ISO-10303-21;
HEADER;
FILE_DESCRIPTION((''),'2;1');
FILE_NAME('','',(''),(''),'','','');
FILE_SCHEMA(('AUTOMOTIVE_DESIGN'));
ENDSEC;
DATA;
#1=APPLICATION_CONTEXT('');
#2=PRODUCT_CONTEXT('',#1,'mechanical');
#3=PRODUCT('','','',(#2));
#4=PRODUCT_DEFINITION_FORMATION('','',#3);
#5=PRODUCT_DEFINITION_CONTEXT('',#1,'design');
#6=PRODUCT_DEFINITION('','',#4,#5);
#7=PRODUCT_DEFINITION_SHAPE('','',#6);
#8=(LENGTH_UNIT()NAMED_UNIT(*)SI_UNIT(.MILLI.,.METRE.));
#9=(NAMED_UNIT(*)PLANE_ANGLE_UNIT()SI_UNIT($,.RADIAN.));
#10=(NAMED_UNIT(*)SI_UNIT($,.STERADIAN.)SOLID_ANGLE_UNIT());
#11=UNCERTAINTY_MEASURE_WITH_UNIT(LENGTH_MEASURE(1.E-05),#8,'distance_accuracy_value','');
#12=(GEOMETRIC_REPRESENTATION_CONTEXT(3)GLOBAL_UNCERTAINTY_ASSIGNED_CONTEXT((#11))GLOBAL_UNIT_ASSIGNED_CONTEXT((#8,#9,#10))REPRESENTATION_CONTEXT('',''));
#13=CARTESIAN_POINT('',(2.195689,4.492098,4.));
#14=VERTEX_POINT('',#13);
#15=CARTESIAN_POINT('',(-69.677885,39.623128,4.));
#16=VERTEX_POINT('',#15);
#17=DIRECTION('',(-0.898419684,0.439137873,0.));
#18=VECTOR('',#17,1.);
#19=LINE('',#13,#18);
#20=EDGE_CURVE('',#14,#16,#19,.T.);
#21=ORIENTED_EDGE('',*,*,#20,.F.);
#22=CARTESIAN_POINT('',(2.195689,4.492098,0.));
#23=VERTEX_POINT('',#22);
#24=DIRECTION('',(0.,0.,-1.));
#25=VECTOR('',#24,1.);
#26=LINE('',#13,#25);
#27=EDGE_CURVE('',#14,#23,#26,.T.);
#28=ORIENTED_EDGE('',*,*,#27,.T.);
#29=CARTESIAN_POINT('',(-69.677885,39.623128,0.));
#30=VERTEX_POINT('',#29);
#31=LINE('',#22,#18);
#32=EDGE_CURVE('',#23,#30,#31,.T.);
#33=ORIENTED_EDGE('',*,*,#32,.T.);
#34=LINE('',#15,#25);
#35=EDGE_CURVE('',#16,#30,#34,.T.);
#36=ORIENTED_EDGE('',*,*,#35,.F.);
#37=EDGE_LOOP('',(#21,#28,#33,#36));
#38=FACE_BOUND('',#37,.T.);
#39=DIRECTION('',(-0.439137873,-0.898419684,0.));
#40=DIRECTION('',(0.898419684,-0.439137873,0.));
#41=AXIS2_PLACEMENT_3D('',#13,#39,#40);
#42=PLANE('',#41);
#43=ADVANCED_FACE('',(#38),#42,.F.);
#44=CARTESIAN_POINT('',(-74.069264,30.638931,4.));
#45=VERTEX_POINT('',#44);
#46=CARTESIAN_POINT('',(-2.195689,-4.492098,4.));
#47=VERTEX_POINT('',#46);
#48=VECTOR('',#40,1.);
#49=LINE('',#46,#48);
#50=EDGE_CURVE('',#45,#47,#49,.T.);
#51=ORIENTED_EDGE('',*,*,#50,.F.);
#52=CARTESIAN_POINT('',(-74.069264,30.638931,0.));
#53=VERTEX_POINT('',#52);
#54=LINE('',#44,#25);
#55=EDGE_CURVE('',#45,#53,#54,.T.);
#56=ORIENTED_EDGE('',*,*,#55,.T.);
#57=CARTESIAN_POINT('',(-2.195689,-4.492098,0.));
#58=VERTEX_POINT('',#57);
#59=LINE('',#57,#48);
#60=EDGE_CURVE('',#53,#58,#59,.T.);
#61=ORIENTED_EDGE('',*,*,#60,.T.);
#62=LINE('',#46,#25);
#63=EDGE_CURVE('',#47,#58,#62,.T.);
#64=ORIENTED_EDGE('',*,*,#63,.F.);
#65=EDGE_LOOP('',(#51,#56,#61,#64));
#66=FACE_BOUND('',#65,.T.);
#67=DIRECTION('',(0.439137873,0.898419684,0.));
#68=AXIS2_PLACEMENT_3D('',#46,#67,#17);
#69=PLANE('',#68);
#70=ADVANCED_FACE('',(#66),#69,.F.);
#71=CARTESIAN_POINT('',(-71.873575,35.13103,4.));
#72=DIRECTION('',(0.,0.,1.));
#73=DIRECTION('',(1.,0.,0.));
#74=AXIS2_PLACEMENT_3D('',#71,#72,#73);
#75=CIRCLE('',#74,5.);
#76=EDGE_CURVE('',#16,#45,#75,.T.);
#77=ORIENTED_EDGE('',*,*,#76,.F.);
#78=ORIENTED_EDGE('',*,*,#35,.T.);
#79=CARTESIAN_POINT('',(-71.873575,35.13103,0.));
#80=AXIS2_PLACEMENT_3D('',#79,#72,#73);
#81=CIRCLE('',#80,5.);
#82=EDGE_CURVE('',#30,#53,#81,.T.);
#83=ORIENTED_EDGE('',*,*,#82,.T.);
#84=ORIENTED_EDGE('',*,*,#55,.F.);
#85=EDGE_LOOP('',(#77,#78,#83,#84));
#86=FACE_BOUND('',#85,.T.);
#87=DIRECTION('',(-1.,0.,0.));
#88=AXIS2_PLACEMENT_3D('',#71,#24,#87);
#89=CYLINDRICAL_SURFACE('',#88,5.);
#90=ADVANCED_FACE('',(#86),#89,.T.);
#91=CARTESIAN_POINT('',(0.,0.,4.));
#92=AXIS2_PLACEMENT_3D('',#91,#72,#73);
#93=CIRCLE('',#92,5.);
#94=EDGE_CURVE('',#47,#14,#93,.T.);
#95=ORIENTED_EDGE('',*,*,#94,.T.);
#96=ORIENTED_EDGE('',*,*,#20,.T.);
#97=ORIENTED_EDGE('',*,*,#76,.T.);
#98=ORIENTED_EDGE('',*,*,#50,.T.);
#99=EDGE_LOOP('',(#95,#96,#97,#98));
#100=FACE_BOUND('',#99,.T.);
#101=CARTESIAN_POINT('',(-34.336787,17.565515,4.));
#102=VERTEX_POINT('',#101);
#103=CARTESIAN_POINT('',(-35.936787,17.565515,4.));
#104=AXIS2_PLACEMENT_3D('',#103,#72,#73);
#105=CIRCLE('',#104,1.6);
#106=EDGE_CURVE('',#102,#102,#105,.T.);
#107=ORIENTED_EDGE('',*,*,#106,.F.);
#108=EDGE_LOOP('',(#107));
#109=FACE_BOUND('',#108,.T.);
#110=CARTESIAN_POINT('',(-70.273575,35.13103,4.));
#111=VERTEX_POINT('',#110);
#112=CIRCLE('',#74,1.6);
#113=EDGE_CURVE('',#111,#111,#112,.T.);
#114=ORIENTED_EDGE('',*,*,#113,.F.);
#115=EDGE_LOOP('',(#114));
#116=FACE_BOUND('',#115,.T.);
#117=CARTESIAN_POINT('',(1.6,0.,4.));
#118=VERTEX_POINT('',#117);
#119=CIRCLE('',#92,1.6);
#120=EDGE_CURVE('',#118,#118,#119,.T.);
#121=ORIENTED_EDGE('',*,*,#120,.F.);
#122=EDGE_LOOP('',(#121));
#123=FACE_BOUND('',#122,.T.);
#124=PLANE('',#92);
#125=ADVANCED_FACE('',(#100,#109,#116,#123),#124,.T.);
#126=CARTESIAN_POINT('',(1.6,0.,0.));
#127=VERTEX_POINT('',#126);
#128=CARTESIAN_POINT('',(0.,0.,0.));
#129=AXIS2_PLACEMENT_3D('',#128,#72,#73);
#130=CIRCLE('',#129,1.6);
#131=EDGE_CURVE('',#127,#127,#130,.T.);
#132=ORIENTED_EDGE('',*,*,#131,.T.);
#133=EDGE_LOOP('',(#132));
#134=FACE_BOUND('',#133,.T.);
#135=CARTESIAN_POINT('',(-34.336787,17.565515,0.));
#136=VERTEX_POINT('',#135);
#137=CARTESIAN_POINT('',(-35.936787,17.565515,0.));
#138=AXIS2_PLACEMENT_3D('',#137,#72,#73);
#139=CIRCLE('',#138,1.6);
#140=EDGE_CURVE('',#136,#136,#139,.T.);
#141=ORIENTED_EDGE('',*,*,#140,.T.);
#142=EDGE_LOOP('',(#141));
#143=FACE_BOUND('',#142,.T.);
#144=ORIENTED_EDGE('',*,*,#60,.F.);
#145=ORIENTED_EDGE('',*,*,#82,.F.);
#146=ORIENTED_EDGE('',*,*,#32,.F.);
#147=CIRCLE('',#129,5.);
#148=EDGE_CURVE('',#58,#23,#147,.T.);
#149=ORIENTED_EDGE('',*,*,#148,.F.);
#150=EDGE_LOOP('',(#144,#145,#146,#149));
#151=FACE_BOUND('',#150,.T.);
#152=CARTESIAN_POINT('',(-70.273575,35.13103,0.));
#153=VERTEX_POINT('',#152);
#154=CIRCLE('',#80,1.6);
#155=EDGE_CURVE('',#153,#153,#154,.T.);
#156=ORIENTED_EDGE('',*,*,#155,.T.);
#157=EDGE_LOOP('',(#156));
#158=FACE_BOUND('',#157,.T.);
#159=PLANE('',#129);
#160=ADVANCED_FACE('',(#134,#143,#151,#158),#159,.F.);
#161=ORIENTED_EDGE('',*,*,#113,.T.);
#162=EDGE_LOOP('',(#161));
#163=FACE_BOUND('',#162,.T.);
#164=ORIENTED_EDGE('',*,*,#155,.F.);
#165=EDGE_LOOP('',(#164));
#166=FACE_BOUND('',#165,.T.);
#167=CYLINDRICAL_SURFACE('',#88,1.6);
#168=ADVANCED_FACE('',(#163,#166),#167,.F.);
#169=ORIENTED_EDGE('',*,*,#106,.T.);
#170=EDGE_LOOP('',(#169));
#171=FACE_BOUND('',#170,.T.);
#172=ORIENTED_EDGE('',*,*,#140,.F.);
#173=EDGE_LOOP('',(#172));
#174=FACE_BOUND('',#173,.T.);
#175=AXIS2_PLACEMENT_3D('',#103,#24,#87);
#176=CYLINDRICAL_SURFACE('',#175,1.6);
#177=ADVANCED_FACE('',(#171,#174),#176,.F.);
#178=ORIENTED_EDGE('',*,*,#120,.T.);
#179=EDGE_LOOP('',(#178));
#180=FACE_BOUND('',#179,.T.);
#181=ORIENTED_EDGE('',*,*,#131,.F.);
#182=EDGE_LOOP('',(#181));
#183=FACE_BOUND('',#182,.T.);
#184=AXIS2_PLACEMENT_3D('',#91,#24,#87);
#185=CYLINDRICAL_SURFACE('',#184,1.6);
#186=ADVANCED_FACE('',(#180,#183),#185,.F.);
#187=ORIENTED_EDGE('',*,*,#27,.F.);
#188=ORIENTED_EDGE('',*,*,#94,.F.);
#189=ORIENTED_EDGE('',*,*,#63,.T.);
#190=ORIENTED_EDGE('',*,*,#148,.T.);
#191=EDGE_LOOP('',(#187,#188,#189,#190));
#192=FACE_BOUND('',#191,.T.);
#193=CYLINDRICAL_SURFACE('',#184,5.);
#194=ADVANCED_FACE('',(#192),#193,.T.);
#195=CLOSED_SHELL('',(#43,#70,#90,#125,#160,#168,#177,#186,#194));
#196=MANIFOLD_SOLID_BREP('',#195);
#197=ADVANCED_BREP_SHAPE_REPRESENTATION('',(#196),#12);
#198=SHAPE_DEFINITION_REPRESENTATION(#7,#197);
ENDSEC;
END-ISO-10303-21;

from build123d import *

# Parameters (mm, degrees)
SKETCH1_R           = 1.6
BOSS_EXTRUDE1_DEPTH = 4


with BuildPart() as part:
    # Sketch1 → Boss-Extrude1 (new body)
    with BuildSketch(Plane.XY):
        with BuildLine():
            Line((-2.195689363, -4.492098421), (-74.069264096, 30.638931382))
            ThreePointArc((-74.069264096, 30.638931382), (-76.365673155, 37.326719165), (-69.677885371, 39.623128223))
            Line((-69.677885371, 39.623128223), (2.195689363, 4.492098421))
            ThreePointArc((2.195689363, 4.492098421), (4.492098421, -2.195689363), (-2.195689363, -4.492098421))
        make_face()
        with Locations((-71.873574734, 35.131029803)):
            Circle(SKETCH1_R, mode=Mode.SUBTRACT)
        Circle(SKETCH1_R, mode=Mode.SUBTRACT)
        with Locations((-35.936787367, 17.565514901)):
            Circle(SKETCH1_R, mode=Mode.SUBTRACT)
    extrude(amount=BOSS_EXTRUDE1_DEPTH)


solid = part.part
